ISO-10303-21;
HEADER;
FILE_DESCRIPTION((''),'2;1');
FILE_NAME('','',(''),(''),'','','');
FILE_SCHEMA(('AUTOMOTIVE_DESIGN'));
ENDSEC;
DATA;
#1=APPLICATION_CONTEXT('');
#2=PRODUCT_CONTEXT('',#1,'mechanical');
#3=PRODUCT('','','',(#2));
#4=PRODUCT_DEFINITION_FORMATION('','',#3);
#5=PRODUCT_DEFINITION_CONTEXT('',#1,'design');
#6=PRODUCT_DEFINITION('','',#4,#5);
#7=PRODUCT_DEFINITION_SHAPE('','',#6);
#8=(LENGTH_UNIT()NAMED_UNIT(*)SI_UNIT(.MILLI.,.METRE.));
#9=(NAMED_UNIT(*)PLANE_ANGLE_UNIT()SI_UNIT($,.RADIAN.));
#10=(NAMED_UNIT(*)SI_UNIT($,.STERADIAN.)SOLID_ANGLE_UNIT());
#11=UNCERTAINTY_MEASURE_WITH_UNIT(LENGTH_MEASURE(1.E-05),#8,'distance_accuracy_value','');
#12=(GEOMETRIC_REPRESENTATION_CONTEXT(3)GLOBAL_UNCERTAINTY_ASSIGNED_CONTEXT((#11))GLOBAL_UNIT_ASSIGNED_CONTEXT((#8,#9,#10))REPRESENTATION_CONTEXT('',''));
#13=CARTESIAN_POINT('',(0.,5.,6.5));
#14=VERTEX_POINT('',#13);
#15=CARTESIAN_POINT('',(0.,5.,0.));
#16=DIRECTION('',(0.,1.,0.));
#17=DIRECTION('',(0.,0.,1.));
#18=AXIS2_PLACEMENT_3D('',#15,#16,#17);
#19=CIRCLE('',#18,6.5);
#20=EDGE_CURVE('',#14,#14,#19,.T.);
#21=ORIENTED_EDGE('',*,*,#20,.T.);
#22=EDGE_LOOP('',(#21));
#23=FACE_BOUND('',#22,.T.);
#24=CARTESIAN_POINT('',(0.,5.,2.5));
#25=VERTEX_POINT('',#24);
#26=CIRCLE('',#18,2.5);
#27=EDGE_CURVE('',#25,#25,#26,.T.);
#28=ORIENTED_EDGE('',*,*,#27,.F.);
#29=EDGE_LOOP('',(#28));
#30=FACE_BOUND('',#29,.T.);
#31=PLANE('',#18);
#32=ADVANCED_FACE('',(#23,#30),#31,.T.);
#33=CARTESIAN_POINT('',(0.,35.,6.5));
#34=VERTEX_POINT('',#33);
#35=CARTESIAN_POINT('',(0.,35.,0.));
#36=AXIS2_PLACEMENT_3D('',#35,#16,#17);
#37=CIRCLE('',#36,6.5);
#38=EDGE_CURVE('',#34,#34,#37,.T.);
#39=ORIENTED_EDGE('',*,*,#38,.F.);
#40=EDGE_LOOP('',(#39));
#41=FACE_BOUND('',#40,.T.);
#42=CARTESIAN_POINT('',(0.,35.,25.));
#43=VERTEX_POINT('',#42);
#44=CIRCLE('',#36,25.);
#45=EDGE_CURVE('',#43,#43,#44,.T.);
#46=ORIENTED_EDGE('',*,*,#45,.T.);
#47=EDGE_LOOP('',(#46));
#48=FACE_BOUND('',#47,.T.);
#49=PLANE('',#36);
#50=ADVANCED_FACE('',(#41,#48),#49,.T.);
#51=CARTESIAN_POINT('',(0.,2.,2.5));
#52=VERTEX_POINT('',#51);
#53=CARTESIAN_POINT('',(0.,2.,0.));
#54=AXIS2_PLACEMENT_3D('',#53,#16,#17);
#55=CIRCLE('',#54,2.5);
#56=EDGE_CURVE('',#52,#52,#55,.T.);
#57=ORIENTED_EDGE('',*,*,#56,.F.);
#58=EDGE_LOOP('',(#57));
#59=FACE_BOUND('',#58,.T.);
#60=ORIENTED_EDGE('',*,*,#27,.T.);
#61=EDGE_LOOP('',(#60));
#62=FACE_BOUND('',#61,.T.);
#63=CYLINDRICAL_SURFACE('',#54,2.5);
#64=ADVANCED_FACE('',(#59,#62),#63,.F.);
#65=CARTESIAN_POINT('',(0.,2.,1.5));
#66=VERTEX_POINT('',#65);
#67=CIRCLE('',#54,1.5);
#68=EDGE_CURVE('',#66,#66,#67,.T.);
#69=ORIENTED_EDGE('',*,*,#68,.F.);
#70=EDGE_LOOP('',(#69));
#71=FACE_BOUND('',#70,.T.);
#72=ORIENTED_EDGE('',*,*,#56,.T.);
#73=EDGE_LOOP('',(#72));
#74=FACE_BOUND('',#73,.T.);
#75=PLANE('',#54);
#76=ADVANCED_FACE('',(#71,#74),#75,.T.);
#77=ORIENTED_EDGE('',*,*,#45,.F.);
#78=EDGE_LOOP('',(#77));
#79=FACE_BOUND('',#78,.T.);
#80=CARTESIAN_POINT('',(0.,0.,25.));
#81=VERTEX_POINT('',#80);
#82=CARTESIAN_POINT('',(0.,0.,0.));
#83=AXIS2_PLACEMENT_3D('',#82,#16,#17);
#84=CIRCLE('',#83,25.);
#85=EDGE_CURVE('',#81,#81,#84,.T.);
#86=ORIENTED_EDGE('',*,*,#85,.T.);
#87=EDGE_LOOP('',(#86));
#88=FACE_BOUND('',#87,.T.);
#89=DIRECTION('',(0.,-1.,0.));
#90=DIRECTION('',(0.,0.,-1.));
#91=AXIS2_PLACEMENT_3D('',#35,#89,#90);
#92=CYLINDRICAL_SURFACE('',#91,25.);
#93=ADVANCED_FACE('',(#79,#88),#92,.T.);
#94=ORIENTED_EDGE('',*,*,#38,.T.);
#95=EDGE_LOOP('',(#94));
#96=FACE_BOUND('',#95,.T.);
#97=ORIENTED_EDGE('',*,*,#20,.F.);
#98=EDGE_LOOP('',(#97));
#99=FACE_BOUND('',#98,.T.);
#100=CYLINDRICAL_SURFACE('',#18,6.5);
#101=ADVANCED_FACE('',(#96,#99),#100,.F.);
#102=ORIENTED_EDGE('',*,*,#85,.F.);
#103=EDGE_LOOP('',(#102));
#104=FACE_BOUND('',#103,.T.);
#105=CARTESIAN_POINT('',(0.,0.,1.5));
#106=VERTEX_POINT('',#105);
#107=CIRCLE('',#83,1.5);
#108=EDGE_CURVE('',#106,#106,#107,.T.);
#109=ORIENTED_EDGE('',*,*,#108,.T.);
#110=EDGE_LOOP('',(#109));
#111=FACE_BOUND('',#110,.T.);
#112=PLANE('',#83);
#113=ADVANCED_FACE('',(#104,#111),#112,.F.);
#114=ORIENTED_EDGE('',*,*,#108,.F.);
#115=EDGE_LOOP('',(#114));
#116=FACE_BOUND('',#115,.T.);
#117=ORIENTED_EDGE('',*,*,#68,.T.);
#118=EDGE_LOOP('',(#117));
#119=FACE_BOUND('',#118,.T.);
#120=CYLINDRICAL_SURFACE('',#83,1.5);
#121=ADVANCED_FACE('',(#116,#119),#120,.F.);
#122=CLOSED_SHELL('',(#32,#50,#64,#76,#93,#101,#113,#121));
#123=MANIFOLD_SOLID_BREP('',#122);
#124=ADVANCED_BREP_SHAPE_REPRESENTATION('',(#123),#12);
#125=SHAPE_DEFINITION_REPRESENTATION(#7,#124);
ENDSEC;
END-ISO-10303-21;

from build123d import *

# Parameters (mm, degrees)
IZIM1_R                     = 25
Y_KSEKLIK_EKSTR_ZYON1_DEPTH = 35
IZIM2_R                     = 6.5
KES_EKSTR_ZYON1_DEPTH       = 30
IZIM3_R                     = 2.5
KES_EKSTR_ZYON2_DEPTH       = 3
IZIM4_R                     = 1.5
KES_EKSTR_ZYON3_DEPTH       = 49.363209157


with BuildPart() as part:
    # Çizim1 → Yükseklik-Ekstrüzyon1 (new body)
    with BuildSketch(Plane(origin=(0, 0, 0), x_dir=(1, 0, 0), z_dir=(0, 1, 0))):
        with Locations(Location((0, 0, 0), (0, 0, 270))):
            Circle(IZIM1_R)
    extrude(amount=Y_KSEKLIK_EKSTR_ZYON1_DEPTH)

    # Çizim2 → Kes-Ekstrüzyon1 (cut)
    with BuildSketch(Plane(origin=(0, 35, 0), x_dir=(1, 0, 0), z_dir=(0, 1, 0))):
        with Locations(Location((0, 0, 0), (0, 0, 270))):
            Circle(IZIM2_R)
    extrude(amount=-KES_EKSTR_ZYON1_DEPTH, mode=Mode.SUBTRACT)

    # Çizim3 → Kes-Ekstrüzyon2 (cut)
    with BuildSketch(Plane(origin=(0, 5, 0), x_dir=(1, 0, 0), z_dir=(0, 1, 0))):
        with Locations(Location((0, 0, 0), (0, 0, 270))):
            Circle(IZIM3_R)
    extrude(amount=-KES_EKSTR_ZYON2_DEPTH, mode=Mode.SUBTRACT)

    # Çizim4 → Kes-Ekstrüzyon3 (cut, through all)
    with BuildSketch(Plane(origin=(0, 2, 0), x_dir=(1, 0, 0), z_dir=(0, 1, 0))):
        with Locations(Location((0, 0, 0), (0, 0, 270))):
            Circle(IZIM4_R)
    extrude(amount=-KES_EKSTR_ZYON3_DEPTH, mode=Mode.SUBTRACT)


solid = part.part
